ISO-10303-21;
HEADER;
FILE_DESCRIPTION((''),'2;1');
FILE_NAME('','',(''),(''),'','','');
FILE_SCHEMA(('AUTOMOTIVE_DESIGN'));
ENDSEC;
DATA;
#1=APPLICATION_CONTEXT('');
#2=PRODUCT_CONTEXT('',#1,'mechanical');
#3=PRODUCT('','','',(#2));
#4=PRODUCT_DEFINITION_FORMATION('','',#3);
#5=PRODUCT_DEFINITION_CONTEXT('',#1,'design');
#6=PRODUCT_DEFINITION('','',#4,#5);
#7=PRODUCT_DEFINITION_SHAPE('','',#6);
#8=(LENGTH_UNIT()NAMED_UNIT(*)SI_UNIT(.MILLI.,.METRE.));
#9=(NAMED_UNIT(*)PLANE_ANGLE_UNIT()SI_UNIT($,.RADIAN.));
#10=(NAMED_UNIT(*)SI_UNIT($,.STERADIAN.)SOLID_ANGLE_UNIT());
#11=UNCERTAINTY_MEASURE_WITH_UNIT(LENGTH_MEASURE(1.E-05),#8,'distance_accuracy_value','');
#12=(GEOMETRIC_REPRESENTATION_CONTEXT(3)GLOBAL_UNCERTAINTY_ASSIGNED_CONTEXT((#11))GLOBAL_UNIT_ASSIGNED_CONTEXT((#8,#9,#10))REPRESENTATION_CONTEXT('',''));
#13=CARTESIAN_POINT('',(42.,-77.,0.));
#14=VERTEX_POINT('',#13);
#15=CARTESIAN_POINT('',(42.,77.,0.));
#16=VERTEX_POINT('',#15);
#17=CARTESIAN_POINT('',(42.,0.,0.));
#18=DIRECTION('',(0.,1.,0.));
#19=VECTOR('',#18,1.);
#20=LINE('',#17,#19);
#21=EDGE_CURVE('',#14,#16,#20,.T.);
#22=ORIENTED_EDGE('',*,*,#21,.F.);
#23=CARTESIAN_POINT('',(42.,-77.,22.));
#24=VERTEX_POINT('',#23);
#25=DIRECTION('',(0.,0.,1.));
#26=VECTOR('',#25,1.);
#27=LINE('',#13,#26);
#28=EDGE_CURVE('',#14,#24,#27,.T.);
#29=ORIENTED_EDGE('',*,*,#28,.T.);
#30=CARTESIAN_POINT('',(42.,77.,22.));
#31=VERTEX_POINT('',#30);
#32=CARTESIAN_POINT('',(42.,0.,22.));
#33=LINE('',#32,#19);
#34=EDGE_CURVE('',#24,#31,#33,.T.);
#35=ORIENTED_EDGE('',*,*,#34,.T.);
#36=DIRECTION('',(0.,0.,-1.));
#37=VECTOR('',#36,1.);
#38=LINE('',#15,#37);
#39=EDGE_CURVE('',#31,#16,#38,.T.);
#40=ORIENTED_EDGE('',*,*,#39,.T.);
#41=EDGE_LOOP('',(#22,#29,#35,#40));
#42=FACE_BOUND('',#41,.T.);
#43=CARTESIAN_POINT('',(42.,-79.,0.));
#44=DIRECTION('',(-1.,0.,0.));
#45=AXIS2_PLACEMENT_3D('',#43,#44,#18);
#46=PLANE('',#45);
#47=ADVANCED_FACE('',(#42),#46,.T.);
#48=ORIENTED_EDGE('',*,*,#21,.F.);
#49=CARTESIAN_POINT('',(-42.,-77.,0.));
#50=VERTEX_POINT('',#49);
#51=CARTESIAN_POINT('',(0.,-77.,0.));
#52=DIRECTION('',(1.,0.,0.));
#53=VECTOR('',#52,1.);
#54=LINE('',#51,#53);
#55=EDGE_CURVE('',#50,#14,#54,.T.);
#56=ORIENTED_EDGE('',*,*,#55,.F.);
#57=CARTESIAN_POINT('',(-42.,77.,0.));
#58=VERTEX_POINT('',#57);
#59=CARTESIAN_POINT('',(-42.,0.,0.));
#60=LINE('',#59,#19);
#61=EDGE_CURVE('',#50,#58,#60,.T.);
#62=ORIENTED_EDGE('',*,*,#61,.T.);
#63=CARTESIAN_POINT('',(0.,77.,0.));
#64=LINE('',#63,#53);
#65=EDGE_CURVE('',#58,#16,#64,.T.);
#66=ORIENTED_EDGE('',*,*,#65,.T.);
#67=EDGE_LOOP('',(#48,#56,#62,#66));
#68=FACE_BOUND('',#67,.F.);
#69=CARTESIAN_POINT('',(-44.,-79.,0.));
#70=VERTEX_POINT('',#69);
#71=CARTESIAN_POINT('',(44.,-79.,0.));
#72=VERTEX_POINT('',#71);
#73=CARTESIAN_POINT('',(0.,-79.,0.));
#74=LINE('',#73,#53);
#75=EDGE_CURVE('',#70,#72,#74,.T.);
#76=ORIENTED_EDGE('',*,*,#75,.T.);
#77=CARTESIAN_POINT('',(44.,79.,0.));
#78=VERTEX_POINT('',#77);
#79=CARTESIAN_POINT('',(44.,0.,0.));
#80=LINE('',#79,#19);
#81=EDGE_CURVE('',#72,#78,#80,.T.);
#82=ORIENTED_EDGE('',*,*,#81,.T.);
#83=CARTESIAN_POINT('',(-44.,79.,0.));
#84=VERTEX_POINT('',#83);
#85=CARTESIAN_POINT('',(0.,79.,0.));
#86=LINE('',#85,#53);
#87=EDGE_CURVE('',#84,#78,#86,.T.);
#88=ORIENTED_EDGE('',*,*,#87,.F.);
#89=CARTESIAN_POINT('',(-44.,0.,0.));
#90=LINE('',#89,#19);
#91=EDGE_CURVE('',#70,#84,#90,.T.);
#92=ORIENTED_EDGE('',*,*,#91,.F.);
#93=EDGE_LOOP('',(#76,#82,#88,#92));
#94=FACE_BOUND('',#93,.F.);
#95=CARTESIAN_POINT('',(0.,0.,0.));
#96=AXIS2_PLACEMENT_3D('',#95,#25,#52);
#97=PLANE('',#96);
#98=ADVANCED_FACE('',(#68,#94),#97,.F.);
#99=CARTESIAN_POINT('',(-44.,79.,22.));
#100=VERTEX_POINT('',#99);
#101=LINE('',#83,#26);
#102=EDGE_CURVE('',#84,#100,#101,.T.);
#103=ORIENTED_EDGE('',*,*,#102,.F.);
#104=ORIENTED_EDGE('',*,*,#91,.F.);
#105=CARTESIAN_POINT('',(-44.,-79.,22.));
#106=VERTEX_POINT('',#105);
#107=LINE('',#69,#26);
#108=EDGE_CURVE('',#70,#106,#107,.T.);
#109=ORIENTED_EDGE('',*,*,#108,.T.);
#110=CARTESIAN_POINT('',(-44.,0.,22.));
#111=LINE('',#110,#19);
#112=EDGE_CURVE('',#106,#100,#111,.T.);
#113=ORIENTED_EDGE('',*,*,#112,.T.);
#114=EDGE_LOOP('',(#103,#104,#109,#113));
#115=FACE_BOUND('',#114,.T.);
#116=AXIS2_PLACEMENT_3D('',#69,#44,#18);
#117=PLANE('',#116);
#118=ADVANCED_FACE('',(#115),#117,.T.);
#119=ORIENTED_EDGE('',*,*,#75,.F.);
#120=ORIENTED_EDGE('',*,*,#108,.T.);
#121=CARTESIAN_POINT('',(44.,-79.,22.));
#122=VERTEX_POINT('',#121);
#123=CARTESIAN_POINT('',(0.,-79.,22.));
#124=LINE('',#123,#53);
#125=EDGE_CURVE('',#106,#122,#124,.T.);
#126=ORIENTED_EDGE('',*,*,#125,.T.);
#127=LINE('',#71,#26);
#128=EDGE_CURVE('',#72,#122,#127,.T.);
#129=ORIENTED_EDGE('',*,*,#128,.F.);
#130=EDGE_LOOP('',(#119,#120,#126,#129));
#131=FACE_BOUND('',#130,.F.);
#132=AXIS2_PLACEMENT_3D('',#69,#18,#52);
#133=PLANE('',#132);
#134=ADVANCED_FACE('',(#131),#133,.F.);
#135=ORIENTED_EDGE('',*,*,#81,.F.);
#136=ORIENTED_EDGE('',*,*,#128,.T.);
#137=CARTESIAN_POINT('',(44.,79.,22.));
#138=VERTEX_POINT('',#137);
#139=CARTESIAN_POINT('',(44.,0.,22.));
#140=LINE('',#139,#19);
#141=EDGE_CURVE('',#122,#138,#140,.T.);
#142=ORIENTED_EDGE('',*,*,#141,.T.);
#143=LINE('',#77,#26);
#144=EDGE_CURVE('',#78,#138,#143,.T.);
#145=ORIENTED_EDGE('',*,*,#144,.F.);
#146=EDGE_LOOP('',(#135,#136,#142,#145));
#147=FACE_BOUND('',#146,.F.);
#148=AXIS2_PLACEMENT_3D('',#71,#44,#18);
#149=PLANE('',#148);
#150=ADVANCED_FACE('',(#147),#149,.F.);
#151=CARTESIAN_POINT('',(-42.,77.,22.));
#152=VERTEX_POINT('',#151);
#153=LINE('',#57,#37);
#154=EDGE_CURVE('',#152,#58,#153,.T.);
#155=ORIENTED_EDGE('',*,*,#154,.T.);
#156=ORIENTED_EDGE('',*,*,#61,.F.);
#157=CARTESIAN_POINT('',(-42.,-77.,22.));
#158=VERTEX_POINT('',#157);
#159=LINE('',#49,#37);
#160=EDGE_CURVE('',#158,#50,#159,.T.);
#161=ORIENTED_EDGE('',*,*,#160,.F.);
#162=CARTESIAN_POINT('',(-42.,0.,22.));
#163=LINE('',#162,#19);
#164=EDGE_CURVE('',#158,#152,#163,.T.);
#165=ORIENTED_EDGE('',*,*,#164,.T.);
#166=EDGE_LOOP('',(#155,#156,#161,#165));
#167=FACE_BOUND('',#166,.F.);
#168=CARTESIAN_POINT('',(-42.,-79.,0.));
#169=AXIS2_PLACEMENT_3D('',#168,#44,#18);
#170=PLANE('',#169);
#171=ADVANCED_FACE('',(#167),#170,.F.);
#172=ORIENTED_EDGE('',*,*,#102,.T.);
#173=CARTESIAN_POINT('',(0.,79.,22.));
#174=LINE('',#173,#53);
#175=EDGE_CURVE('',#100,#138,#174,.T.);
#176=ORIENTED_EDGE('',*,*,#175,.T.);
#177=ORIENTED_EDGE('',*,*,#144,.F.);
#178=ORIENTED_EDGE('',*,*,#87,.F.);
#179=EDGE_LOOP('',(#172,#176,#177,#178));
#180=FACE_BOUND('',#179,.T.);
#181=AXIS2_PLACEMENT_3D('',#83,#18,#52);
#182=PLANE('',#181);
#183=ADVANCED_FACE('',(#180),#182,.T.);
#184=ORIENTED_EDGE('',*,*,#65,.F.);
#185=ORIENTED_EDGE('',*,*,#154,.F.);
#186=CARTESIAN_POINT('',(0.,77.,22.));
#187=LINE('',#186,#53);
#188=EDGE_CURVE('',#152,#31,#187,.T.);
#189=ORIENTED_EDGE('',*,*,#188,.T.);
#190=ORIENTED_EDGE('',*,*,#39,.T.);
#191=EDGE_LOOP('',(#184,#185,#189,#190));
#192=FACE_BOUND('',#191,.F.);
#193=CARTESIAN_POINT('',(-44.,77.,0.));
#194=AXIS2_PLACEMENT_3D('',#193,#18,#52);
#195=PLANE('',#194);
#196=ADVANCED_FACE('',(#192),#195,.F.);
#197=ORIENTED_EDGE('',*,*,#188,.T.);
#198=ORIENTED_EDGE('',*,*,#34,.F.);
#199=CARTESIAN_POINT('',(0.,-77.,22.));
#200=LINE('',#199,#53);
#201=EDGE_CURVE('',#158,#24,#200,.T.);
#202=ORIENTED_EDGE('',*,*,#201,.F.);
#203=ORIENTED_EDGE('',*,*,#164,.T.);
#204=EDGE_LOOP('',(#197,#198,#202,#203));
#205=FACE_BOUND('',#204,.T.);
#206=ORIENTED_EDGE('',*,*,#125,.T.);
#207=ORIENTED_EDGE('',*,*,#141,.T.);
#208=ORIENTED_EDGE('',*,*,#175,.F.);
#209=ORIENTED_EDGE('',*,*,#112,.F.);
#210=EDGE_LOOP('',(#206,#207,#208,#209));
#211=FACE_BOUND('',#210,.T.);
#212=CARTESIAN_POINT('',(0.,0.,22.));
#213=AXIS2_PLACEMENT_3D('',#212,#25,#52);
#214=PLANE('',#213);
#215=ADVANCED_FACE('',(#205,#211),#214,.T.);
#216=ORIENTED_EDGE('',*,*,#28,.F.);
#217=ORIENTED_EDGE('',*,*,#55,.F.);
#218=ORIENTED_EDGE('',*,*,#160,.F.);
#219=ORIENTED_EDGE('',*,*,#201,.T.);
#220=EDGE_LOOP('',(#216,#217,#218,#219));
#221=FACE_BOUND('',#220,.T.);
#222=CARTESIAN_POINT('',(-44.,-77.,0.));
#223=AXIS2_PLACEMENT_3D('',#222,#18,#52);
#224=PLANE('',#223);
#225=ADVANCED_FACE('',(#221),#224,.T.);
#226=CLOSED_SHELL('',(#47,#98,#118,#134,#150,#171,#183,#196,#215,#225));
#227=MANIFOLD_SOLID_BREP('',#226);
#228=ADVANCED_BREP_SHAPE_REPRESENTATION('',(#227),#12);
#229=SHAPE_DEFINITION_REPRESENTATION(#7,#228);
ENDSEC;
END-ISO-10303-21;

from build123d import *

# Parameters (mm, degrees)
F0_W     = 88
F0_H     = 158
F1_DEPTH = 22
F2_T     = -2


with BuildPart() as f1:
    # F0 (on Top) → F1 (new body)
    with BuildSketch(Plane.XY):
        Rectangle(F0_W, F0_H)
    extrude(amount=F1_DEPTH)

    # F2
    f2_openings = [f1.faces().sort_by_distance(p)[0] for p in [
        (0, 0, 22),
        (0, 0, 0),
    ]]
    offset(amount=F2_T, openings=f2_openings)


solid = f1.part
